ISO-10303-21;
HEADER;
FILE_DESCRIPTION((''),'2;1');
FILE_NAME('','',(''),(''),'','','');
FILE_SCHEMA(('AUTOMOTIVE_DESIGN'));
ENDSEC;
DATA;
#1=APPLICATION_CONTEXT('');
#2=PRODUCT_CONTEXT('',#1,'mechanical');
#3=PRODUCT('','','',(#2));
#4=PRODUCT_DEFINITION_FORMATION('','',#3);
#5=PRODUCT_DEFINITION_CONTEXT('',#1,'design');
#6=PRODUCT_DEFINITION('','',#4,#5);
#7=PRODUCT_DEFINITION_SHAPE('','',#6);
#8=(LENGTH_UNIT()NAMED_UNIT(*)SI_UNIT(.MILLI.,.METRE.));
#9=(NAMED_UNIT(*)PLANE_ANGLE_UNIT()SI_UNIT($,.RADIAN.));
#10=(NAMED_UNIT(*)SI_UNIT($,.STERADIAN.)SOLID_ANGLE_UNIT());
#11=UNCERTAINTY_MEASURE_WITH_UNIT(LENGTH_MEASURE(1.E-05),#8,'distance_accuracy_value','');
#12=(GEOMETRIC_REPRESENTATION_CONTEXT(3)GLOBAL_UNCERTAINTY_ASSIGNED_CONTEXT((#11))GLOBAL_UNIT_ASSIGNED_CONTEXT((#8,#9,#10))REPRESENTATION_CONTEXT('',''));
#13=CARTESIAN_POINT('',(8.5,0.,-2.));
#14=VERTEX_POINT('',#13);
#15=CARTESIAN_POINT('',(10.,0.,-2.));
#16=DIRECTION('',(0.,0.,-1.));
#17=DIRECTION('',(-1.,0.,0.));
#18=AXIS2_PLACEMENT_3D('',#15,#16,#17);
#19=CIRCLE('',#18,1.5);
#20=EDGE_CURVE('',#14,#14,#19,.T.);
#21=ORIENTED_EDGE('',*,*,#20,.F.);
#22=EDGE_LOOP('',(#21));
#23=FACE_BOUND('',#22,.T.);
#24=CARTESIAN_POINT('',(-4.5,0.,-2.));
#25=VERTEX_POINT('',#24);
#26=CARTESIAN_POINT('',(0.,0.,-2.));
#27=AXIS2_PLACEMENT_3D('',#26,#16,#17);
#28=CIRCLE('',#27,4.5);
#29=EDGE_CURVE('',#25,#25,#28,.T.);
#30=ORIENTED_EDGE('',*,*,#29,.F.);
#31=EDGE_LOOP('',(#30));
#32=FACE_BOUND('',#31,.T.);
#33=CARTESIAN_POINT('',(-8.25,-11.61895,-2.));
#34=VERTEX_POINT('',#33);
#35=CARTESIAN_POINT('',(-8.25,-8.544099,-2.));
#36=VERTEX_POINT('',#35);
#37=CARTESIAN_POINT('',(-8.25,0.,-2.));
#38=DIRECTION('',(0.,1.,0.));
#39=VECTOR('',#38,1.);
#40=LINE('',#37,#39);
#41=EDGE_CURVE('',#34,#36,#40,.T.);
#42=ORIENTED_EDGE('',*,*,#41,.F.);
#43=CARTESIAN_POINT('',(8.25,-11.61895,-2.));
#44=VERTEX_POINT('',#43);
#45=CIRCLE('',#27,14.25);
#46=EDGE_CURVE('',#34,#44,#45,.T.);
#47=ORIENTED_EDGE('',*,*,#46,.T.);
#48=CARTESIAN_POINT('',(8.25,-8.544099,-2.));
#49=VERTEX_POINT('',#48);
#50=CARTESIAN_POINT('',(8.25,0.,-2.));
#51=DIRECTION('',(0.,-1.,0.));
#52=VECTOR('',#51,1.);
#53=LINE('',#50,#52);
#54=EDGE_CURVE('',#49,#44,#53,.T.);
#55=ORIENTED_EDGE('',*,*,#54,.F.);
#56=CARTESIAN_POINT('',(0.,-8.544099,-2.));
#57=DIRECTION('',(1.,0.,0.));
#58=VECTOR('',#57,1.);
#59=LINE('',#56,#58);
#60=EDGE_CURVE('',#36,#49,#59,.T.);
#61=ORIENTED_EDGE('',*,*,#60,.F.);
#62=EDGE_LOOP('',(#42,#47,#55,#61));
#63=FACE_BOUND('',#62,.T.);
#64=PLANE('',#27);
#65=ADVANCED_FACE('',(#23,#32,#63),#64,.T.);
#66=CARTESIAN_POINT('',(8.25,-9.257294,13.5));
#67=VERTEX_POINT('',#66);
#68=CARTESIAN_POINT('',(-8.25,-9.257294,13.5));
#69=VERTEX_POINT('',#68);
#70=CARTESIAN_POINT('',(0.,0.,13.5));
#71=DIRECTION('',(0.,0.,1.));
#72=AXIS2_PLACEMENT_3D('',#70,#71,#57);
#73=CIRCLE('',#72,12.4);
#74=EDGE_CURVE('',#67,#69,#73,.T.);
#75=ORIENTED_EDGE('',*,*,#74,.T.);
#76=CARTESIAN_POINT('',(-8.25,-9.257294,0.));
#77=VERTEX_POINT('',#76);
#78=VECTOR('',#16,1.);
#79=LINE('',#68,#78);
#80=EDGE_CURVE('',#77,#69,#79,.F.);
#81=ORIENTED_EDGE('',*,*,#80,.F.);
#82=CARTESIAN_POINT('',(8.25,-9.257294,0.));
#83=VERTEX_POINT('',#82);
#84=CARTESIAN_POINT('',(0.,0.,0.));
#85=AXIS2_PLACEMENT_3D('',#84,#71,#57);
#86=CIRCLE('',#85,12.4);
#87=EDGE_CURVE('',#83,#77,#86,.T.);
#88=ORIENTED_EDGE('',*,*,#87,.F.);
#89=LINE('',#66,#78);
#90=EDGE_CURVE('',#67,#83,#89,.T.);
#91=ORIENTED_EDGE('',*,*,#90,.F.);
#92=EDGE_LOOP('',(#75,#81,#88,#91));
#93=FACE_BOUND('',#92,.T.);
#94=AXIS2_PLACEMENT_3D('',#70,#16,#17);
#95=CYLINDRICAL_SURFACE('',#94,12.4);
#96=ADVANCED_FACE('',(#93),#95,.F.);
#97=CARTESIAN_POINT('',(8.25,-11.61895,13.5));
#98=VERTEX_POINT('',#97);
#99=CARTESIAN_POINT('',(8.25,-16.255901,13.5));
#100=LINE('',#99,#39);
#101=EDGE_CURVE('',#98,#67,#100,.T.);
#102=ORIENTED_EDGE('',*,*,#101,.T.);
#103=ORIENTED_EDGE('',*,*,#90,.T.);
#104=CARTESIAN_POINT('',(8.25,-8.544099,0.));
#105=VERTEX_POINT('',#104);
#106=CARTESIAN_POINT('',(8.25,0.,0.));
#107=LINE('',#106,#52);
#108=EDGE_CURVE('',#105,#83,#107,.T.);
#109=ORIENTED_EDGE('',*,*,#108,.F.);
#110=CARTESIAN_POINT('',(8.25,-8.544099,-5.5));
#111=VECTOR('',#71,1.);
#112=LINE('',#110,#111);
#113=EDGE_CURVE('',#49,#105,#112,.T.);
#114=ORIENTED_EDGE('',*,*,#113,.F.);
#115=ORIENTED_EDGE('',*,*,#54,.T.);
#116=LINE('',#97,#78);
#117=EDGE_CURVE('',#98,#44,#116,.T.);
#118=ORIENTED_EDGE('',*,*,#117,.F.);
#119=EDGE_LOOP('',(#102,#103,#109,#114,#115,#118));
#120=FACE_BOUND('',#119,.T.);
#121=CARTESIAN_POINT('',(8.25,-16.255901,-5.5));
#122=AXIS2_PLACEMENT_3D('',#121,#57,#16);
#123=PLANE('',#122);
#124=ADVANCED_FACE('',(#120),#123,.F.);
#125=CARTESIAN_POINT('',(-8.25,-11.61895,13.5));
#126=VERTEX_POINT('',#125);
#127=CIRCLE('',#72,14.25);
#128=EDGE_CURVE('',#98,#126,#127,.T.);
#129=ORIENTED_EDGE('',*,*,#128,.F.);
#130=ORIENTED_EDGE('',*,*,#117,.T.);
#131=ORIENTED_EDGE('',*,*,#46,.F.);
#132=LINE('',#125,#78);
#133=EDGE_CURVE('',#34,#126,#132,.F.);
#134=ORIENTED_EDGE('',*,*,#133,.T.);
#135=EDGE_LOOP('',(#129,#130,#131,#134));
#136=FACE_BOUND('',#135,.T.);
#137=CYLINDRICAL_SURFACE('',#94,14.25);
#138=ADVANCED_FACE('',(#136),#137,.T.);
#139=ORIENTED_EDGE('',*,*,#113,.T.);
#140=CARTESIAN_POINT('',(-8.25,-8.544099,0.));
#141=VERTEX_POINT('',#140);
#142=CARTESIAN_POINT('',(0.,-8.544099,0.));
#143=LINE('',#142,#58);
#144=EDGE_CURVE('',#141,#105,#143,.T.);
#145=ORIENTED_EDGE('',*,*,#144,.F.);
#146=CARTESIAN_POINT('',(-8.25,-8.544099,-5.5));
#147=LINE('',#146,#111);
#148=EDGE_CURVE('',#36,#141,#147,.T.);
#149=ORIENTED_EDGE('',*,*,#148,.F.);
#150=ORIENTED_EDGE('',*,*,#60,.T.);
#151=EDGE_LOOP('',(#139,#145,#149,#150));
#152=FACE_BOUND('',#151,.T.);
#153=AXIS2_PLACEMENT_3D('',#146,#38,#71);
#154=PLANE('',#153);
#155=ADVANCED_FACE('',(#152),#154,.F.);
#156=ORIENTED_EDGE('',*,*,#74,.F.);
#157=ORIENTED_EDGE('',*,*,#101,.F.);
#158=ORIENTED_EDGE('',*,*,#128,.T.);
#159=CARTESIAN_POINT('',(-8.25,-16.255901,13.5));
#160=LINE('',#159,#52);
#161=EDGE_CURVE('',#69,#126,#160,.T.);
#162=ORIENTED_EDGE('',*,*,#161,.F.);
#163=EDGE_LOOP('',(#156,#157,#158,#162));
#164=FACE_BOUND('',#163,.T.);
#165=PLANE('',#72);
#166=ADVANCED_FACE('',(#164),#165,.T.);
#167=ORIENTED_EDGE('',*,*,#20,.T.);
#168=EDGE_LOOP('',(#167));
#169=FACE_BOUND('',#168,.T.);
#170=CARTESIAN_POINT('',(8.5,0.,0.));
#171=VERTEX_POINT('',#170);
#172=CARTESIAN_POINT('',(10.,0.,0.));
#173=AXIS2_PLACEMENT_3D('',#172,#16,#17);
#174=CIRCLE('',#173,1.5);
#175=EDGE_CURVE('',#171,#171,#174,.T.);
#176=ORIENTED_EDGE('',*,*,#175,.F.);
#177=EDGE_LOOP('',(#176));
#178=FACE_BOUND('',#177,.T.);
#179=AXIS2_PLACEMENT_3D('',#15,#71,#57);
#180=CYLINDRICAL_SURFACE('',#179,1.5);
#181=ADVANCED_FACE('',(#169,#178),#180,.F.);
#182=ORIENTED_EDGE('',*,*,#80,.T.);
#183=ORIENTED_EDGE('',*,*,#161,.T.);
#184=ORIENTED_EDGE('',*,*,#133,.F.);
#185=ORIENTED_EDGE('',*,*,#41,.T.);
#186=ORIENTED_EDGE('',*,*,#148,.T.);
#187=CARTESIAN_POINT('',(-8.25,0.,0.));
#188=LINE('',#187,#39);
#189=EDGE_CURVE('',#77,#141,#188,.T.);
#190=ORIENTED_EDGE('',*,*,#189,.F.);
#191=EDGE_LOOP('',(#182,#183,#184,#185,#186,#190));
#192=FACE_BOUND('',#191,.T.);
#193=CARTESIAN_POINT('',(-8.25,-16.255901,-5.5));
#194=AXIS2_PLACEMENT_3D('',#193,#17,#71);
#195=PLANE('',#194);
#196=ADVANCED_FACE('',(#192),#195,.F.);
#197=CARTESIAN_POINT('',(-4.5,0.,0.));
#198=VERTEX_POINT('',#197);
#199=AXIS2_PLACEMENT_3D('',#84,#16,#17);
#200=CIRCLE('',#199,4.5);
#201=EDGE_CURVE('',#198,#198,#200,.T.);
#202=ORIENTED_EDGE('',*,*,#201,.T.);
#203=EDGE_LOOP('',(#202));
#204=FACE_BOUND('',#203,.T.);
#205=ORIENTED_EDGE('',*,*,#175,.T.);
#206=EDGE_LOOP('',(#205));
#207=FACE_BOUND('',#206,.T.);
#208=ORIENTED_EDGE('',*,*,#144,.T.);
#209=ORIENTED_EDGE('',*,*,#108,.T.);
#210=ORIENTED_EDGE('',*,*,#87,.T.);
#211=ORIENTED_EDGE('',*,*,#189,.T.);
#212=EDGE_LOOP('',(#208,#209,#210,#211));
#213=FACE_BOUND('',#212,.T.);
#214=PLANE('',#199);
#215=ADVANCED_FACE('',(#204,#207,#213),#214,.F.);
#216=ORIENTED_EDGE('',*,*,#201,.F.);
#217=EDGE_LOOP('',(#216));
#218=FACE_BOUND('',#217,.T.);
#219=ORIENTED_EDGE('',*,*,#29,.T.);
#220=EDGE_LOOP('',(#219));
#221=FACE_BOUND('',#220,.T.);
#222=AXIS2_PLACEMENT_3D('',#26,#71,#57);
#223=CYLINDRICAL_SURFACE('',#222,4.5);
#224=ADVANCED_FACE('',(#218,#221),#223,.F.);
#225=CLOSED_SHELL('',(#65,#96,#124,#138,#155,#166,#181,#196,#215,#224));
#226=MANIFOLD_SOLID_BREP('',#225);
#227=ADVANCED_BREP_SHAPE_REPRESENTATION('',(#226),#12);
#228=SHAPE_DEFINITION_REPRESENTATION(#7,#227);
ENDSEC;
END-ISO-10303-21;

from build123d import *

# Parameters (mm, degrees)
SKETCH_1_R          = 14.25
SKETCH_1_R_2        = 12.4
EXTRUDE_1_DEPTH     = 13.5
EXTRUDE_START       = 2
SKETCH_2_R          = 14.25
SKETCH_2_R_2        = 4.5
SKETCH_2_R_3        = 1.5
EXTRUDE_2_DEPTH     = 2
SKETCH_4_W          = 16.5
SKETCH_4_H          = 7.711801842
CUT_EXTRUDE_2_DEPTH = 19


with BuildPart() as part:
    # 草图1 → 凸台-拉伸1 (new body)
    with BuildSketch(Plane.XY):
        Circle(SKETCH_1_R)
        Circle(SKETCH_1_R_2, mode=Mode.SUBTRACT)
    extrude(amount=EXTRUDE_1_DEPTH)

    # 草图2 → 凸台-拉伸2 (add)
    with BuildSketch(Plane(origin=(0, 0, 0), x_dir=(-1, 0, 0), z_dir=(0, 0, -1)).offset(EXTRUDE_START)):
        Circle(SKETCH_2_R)
        Circle(SKETCH_2_R_2, mode=Mode.SUBTRACT)
        with Locations((-10, 0)):
            Circle(SKETCH_2_R_3, mode=Mode.SUBTRACT)
    extrude(amount=-EXTRUDE_2_DEPTH)

    # 草图4 → 切除-拉伸2 (cut)
    with BuildSketch(Plane.XY.offset(13.5)):
        with Locations((0, -12.4)):
            Rectangle(SKETCH_4_W, SKETCH_4_H)
    extrude(amount=-CUT_EXTRUDE_2_DEPTH, mode=Mode.SUBTRACT)


solid = part.part
